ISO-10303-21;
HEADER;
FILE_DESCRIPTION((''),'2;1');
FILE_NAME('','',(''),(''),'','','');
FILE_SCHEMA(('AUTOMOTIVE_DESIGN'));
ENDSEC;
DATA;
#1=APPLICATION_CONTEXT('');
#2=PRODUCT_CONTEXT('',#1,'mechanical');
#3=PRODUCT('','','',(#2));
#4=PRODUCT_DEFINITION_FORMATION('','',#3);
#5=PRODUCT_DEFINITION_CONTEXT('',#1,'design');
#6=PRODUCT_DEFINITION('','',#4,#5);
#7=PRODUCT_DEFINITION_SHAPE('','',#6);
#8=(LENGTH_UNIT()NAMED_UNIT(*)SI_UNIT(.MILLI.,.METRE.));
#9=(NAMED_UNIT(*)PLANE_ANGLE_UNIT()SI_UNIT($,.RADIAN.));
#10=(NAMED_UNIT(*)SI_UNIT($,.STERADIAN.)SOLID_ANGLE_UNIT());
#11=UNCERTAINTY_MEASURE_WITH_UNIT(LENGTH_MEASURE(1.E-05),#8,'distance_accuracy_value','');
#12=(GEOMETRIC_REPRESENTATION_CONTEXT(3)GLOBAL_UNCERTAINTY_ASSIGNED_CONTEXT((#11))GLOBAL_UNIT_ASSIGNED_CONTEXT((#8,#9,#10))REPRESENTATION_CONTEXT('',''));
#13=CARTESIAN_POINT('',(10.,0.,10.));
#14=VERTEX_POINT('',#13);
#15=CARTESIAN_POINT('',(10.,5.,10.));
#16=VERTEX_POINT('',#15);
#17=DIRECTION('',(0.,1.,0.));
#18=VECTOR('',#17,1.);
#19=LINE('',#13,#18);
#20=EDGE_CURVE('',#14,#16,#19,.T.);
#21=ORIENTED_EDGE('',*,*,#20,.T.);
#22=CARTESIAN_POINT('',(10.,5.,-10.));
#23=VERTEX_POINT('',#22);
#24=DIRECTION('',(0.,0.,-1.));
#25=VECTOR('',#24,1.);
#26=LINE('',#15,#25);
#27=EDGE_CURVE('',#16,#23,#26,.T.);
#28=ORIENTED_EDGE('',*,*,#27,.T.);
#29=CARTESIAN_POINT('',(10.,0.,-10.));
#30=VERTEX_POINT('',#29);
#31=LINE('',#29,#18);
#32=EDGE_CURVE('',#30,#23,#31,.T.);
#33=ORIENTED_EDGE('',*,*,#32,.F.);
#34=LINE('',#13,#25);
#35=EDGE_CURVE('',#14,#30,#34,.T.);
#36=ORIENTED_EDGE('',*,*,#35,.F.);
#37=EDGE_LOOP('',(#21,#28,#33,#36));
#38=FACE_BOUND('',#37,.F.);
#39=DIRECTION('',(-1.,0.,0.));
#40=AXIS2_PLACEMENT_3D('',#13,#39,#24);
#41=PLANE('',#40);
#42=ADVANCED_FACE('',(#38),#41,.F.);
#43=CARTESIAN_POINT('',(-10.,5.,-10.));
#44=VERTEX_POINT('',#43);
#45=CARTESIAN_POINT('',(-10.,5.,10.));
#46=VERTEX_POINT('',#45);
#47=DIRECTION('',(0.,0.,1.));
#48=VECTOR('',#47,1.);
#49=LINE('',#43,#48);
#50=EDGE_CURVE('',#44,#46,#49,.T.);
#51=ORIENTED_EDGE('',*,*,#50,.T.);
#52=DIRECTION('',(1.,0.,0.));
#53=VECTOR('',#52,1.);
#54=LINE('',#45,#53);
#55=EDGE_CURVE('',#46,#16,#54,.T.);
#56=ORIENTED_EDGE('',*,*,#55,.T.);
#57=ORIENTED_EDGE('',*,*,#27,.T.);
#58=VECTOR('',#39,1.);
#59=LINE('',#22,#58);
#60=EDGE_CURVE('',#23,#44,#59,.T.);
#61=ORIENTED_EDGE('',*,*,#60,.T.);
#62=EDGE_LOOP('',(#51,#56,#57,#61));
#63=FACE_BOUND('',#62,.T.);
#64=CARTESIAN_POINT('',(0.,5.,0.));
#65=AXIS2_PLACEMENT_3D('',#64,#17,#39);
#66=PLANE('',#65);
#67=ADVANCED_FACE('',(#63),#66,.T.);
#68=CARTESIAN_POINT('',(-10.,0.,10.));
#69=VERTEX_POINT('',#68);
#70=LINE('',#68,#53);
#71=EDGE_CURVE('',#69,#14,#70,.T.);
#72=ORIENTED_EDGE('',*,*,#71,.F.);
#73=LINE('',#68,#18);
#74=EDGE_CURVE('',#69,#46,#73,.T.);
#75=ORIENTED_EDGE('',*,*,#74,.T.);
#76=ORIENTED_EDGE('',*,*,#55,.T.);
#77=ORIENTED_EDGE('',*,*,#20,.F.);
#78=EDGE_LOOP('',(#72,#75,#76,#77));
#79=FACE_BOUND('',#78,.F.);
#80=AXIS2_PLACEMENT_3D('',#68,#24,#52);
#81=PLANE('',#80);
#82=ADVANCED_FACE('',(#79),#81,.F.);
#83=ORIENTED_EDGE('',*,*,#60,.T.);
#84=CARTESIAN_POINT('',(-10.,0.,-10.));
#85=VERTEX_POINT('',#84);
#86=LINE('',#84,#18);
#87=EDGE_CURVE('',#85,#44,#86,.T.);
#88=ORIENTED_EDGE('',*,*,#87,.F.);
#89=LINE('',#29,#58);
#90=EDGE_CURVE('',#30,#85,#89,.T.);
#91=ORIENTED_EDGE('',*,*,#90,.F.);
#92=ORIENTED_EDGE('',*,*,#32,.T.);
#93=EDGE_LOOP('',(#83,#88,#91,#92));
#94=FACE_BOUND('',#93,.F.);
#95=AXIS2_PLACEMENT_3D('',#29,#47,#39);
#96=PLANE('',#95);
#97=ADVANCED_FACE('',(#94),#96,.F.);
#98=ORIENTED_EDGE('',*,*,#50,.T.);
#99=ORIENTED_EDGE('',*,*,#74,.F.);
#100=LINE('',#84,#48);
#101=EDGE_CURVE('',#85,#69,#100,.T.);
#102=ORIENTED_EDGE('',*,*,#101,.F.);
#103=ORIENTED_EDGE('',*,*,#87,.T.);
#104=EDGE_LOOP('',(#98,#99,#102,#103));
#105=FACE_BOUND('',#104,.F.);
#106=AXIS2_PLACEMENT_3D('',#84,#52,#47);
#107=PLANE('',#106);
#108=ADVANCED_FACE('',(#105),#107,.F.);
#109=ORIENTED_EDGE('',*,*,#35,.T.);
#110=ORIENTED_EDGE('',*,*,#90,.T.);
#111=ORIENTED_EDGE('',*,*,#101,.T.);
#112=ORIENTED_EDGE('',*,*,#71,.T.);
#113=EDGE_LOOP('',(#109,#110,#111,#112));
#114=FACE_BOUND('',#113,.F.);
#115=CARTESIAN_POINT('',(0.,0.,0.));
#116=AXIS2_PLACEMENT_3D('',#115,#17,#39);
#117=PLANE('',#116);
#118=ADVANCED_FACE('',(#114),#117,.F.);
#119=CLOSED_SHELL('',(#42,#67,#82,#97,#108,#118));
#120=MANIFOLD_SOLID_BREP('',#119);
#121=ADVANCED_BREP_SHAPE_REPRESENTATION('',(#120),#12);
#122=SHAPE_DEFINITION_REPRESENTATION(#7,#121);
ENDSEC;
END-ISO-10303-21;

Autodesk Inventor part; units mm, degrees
ref_plane "YZ Plane" through (0, 0, 0) normal (1, 0, 0) x (0, 1, 0)
ref_plane "XZ Plane" through (0, 0, 0) normal (0, 1, 0) x (-1, 0, 0)
ref_plane "XY Plane" through (0, 0, 0) normal (0, 0, 1) x (1, 0, 0)
sketch "Sketch1" plane through (0, 0, 0) normal (0, 1, 0) x (-1, 0, 0)
  line L0 (-10, -10) -> (10, -10)
  line L1 (10, -10) -> (10, 10)
  line L2 (10, 10) -> (-10, 10)
  line L3 (-10, 10) -> (-10, -10)
  line L4 (-10, -10) -> (10, 10) construction
  line L5 (10, -10) -> (-10, 10) construction
  point P0 (0, 0)
  dimension "d0" = 20
  dimension "d1" = 20
extrude "Extrusion1" add sketch "Sketch1" along normal blind 5
properties part number "20by20mmChip"
